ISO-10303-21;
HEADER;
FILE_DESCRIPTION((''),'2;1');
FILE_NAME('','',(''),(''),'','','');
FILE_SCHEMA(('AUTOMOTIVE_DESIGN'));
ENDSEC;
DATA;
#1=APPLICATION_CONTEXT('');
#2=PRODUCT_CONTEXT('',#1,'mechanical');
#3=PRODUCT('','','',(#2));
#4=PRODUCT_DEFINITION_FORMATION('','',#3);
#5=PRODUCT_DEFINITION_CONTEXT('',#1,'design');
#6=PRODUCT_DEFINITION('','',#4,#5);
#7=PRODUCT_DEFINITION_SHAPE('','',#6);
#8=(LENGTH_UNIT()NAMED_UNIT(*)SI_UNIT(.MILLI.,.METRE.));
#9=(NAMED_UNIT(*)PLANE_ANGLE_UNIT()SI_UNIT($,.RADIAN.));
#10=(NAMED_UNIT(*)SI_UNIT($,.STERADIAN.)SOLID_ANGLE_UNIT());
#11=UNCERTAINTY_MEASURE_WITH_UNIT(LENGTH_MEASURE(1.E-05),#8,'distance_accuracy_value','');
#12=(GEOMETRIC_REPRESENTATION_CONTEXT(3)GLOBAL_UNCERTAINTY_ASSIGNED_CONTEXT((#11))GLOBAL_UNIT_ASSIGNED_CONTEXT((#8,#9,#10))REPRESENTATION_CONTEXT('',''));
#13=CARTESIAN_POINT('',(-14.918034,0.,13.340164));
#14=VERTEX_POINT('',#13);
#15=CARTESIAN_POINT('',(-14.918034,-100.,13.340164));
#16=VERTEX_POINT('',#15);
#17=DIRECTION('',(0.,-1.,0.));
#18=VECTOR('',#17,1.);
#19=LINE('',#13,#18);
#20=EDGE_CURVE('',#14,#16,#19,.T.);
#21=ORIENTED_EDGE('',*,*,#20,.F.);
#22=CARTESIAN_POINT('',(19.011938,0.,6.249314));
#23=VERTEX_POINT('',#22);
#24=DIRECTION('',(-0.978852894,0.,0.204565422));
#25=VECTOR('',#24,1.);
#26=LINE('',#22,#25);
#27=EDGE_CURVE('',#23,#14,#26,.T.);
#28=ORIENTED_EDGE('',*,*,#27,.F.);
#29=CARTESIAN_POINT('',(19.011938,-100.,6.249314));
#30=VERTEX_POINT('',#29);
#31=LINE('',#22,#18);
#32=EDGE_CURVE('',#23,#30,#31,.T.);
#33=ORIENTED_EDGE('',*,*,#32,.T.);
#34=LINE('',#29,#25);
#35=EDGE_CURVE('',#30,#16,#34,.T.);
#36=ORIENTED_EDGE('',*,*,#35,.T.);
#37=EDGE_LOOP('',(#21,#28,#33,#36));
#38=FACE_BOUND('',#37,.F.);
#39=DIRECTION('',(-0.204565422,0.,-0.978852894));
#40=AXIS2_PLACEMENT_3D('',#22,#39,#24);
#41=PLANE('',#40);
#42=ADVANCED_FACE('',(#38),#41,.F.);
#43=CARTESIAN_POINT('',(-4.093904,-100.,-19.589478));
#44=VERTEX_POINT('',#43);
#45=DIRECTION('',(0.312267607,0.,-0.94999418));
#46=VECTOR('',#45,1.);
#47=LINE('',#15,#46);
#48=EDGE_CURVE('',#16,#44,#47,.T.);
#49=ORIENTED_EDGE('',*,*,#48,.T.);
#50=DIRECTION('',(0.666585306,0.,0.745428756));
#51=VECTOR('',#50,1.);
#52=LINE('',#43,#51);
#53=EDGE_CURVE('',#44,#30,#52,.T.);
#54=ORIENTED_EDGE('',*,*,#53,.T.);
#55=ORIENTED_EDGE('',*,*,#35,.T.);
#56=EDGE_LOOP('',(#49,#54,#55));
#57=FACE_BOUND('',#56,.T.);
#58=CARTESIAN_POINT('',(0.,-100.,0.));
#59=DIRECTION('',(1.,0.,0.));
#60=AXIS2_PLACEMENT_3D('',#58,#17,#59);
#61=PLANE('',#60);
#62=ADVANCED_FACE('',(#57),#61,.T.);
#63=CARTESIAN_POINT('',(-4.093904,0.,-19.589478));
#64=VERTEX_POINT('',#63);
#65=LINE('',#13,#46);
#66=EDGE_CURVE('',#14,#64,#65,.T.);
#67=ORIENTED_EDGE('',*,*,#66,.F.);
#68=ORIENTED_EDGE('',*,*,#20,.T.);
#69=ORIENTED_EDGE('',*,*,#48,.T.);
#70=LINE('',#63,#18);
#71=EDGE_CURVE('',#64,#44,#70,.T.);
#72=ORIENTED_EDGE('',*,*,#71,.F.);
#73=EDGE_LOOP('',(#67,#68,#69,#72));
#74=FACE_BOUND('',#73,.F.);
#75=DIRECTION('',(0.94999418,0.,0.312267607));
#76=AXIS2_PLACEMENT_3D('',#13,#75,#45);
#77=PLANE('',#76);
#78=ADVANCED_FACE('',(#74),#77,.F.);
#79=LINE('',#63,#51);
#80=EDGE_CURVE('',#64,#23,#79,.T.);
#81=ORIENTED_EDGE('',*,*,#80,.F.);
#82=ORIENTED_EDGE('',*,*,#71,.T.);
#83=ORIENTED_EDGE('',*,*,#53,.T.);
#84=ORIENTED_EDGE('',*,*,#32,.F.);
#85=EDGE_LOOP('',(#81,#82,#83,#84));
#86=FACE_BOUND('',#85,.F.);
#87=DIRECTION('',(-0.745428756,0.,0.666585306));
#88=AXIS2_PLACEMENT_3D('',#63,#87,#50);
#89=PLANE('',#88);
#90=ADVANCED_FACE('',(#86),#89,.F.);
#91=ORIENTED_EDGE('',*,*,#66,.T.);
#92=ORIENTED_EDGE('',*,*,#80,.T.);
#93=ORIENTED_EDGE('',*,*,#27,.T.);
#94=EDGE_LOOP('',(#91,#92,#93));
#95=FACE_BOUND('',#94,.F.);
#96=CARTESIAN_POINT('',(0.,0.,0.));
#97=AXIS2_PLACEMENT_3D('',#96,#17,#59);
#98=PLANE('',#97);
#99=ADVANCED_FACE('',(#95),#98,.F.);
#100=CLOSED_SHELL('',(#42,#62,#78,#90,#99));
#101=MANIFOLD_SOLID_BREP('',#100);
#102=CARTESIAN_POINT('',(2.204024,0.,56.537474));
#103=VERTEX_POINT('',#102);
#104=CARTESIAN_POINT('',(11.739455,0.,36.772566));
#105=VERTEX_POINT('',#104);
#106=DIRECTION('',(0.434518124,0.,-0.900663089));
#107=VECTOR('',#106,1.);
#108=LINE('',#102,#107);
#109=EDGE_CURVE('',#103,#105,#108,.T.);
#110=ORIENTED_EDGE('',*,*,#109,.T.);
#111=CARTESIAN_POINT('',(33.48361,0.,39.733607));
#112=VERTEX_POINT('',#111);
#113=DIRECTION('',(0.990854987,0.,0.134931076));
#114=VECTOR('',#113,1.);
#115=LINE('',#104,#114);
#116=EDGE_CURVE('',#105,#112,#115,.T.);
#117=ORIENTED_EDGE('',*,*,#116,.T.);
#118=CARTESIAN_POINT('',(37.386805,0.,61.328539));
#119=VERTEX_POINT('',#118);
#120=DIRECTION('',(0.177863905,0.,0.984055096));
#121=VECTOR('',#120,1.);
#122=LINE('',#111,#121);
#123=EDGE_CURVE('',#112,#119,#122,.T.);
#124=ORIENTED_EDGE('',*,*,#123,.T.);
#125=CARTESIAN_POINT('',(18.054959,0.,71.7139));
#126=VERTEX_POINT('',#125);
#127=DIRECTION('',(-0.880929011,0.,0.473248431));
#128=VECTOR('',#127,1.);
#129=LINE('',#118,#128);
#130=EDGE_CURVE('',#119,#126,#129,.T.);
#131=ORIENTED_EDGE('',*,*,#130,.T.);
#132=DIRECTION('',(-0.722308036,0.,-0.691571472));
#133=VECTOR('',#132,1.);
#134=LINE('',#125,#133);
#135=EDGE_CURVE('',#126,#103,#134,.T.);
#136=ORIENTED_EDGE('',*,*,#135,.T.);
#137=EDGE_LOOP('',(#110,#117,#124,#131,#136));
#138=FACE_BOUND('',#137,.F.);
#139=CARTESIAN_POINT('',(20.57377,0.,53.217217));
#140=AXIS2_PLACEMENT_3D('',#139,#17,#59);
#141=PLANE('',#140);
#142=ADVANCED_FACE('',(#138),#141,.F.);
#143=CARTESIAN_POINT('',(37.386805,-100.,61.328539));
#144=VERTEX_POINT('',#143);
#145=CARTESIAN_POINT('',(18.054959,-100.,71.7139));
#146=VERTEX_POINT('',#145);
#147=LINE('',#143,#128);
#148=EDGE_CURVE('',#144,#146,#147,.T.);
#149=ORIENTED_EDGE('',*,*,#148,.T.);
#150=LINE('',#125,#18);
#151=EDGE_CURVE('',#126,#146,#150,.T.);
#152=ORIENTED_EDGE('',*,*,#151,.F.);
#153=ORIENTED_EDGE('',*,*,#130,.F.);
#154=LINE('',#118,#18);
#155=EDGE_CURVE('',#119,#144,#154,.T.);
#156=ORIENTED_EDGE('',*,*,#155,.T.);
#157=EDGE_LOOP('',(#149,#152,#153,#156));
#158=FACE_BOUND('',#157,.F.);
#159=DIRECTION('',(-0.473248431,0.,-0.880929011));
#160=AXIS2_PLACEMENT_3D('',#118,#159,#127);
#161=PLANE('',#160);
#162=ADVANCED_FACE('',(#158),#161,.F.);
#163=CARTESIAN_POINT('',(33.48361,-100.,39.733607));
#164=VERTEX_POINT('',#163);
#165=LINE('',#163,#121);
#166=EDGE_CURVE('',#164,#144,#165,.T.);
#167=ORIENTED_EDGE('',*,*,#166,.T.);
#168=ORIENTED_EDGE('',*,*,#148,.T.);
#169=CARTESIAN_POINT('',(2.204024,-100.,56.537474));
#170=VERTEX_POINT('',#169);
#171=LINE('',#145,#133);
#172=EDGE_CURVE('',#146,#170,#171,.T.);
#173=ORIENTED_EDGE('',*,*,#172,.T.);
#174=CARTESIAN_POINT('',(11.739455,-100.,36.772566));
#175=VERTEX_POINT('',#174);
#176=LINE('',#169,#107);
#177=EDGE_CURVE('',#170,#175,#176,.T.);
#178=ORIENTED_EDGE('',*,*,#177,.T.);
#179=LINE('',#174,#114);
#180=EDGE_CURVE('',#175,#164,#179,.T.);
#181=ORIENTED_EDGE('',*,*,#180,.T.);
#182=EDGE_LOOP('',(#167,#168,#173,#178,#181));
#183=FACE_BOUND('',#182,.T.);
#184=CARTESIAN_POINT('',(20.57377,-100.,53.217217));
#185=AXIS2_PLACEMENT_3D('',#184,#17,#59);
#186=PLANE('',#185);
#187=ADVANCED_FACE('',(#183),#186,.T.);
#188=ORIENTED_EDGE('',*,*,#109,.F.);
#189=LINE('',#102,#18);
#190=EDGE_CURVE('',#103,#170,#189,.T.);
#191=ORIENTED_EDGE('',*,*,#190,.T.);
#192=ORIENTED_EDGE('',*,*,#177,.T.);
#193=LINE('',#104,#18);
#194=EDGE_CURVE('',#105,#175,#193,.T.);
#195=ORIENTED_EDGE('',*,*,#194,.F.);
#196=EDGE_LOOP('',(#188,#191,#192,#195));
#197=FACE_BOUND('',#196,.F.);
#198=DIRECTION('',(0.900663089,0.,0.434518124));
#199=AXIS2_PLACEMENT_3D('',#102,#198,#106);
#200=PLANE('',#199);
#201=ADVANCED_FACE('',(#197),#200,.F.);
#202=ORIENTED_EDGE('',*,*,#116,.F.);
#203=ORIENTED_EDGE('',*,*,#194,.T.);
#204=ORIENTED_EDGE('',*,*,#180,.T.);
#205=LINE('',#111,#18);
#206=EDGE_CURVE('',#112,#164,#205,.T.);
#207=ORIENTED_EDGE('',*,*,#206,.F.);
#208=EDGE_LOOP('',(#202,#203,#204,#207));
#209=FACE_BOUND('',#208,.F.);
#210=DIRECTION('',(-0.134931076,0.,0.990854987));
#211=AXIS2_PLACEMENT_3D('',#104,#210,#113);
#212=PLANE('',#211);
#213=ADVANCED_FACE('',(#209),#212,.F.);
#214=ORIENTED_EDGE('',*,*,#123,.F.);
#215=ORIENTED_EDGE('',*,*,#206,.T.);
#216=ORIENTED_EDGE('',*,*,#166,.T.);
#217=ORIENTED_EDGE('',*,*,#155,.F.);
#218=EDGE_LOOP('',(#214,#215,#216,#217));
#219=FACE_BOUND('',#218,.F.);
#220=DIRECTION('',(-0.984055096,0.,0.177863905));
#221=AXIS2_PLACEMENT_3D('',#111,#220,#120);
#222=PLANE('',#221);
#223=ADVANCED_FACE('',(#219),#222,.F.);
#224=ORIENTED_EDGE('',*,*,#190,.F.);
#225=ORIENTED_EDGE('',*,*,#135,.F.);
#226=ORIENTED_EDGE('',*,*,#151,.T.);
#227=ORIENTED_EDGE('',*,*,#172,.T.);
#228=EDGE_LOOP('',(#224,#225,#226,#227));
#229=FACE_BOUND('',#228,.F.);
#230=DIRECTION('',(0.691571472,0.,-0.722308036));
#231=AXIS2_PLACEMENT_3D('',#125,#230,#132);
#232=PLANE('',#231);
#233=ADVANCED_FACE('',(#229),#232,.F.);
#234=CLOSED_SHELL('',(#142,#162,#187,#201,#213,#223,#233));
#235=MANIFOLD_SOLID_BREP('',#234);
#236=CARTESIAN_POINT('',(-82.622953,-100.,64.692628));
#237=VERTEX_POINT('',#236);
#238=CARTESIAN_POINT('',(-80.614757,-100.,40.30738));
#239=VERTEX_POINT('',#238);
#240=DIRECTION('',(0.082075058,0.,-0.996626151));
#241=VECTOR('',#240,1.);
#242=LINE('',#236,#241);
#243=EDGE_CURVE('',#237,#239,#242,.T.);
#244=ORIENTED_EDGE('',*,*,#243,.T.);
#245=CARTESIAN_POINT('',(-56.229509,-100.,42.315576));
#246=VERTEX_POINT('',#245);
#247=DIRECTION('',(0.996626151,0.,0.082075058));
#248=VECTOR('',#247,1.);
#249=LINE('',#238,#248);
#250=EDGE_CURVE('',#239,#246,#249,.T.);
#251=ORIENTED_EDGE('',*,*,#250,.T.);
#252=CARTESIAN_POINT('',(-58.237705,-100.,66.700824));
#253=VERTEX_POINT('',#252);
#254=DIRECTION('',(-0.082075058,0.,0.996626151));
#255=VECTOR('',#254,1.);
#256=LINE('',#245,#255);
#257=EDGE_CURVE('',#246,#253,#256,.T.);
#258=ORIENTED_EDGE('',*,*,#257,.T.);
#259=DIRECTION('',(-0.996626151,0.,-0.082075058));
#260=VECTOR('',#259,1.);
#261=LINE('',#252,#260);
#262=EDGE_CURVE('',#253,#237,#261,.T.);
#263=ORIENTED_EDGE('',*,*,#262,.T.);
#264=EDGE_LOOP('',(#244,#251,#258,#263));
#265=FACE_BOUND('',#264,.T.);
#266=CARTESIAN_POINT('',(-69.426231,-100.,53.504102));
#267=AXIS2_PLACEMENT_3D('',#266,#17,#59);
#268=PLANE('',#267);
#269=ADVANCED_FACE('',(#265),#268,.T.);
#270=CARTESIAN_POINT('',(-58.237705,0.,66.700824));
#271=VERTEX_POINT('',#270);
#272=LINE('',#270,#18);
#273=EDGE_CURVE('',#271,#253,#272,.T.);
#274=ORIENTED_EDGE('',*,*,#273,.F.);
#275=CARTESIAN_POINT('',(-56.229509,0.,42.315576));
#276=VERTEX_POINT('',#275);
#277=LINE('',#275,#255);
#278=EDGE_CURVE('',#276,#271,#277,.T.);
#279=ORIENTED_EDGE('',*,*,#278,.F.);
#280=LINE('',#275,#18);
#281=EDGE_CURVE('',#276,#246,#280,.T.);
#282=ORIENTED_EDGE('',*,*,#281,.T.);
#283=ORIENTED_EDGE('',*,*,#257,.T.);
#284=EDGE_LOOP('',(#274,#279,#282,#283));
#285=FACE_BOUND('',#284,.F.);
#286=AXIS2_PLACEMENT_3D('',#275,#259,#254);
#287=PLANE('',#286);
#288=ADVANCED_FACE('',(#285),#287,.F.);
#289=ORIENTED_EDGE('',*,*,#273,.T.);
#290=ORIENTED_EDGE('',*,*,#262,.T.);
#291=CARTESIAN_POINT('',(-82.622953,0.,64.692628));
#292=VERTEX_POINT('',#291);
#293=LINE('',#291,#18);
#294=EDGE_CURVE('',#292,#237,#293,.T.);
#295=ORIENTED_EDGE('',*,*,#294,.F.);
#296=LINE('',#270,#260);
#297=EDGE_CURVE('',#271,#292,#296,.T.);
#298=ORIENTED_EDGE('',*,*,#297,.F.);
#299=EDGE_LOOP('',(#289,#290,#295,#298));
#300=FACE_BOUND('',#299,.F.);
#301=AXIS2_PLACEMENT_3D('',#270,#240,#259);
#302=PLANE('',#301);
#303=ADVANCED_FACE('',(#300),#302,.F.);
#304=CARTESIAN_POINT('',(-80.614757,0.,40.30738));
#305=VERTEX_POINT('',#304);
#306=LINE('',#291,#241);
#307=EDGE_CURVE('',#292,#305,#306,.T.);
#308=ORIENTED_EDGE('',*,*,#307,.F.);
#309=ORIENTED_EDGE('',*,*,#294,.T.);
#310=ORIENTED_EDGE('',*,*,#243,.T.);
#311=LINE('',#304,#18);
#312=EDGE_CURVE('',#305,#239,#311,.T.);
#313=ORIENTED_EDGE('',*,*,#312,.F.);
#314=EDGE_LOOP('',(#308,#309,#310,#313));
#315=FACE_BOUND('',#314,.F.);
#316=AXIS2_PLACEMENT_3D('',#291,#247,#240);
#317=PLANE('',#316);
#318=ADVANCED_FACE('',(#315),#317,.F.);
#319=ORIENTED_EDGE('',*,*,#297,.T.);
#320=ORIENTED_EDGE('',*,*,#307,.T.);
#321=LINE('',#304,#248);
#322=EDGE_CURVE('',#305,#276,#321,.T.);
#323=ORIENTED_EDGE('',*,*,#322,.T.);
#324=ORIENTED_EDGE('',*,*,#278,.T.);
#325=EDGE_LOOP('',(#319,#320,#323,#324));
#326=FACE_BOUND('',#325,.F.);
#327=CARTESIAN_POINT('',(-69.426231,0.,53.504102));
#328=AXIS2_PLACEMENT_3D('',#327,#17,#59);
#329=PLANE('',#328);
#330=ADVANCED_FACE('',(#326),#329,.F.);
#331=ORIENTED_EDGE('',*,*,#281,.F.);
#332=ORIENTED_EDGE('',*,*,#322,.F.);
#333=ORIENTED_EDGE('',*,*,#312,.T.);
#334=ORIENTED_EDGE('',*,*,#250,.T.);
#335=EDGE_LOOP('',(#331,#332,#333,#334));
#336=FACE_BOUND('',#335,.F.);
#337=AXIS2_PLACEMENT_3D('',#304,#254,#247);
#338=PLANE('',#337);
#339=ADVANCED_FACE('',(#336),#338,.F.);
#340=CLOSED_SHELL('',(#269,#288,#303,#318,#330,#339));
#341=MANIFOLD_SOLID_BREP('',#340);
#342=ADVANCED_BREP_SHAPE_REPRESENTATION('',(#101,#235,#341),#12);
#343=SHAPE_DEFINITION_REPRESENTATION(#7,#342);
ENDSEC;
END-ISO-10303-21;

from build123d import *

# Parameters (mm, degrees)
F1_DEPTH = 100
F3_DEPTH = 100
F5_DEPTH = 100


with BuildPart() as f1:
    # F0 (on Front) → F1 (new body)
    with BuildSketch(Plane.XZ):
        Polygon((19.011938, 6.249314), (-14.918034, 13.340164), (-4.093904, -19.589478), align=None)
    extrude(amount=F1_DEPTH)


with BuildPart() as f3:
    # F2 (on Front) → F3 (new body)
    with BuildSketch(Plane.XZ):
        Polygon((-80.614757, 40.30738), (-56.229509, 42.315576), (-58.237705, 66.700824), (-82.622953, 64.692628), align=None)
    extrude(amount=F3_DEPTH)


with BuildPart() as f5:
    # F4 (on Front) → F5 (new body)
    with BuildSketch(Plane.XZ):
        Polygon((11.739455, 36.772566), (33.48361, 39.733607), (37.386805, 61.328539), (18.054959, 71.7139), (2.204024, 56.537474), align=None)
    extrude(amount=F5_DEPTH)


solid = Compound([f1.part, f3.part, f5.part])
